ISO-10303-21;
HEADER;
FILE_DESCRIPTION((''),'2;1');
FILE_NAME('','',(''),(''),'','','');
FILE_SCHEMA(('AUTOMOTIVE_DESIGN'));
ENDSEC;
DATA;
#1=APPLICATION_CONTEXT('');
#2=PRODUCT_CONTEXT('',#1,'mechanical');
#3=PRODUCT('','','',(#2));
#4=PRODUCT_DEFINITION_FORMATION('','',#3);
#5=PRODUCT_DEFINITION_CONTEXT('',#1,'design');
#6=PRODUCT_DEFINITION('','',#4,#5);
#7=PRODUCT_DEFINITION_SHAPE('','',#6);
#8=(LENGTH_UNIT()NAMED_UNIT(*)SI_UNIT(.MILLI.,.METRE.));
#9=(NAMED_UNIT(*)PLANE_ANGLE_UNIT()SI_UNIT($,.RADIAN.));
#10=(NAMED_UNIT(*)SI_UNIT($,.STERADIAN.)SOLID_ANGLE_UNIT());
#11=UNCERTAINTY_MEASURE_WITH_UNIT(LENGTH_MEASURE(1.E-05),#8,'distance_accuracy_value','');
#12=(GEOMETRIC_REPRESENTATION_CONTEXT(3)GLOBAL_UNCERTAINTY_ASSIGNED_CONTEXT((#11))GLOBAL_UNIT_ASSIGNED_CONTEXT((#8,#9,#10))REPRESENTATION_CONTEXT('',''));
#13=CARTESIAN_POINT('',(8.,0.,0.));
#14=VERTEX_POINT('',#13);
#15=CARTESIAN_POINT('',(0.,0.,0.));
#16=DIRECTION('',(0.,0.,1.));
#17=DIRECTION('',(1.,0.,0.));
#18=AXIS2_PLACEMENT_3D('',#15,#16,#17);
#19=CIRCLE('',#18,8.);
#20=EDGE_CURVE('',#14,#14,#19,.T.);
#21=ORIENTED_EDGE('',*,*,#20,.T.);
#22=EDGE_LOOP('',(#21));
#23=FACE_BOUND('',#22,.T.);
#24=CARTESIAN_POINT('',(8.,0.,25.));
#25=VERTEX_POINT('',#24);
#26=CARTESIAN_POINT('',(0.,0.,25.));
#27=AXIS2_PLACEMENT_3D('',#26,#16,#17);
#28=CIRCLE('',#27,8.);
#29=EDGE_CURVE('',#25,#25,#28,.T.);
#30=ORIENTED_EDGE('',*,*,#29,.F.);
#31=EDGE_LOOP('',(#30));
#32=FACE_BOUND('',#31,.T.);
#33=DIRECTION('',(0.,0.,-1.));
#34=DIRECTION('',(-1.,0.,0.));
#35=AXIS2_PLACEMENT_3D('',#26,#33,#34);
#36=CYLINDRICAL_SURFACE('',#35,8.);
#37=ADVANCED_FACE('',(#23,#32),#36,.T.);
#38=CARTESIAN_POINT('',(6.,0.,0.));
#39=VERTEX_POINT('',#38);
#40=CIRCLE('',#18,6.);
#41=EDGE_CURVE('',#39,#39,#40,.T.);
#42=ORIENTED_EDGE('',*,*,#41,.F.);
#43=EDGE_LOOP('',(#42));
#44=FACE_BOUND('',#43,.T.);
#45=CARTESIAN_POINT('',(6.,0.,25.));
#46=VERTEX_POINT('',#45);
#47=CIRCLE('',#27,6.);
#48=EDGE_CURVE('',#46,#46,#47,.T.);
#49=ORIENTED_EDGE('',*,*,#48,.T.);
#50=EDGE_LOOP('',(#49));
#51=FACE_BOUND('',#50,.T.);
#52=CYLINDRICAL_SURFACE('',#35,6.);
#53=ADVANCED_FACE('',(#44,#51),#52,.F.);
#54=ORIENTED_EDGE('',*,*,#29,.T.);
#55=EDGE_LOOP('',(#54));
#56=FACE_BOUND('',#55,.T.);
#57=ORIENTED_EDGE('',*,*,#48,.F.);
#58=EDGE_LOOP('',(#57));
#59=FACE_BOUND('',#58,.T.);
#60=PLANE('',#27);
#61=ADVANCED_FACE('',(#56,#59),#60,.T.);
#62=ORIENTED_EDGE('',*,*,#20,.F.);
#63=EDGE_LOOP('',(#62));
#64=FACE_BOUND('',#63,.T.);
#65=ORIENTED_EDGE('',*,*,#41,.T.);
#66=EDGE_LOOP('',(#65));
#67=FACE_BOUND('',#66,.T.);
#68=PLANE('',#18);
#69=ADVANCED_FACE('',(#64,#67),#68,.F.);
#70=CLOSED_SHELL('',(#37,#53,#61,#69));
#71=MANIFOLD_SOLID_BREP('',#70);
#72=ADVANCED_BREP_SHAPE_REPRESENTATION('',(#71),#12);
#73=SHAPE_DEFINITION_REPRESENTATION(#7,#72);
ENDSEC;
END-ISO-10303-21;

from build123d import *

# Parameters (mm, degrees)
ESBO_O1_R                = 8
ESBO_O1_R_2              = 6
RESSALTO_EXTRUS_O1_DEPTH = 25


with BuildPart() as part:
    # Esboço1 → Ressalto-extrusão1 (new body)
    with BuildSketch(Plane.XY):
        Circle(ESBO_O1_R)
        Circle(ESBO_O1_R_2, mode=Mode.SUBTRACT)
    extrude(amount=RESSALTO_EXTRUS_O1_DEPTH)


solid = part.part
